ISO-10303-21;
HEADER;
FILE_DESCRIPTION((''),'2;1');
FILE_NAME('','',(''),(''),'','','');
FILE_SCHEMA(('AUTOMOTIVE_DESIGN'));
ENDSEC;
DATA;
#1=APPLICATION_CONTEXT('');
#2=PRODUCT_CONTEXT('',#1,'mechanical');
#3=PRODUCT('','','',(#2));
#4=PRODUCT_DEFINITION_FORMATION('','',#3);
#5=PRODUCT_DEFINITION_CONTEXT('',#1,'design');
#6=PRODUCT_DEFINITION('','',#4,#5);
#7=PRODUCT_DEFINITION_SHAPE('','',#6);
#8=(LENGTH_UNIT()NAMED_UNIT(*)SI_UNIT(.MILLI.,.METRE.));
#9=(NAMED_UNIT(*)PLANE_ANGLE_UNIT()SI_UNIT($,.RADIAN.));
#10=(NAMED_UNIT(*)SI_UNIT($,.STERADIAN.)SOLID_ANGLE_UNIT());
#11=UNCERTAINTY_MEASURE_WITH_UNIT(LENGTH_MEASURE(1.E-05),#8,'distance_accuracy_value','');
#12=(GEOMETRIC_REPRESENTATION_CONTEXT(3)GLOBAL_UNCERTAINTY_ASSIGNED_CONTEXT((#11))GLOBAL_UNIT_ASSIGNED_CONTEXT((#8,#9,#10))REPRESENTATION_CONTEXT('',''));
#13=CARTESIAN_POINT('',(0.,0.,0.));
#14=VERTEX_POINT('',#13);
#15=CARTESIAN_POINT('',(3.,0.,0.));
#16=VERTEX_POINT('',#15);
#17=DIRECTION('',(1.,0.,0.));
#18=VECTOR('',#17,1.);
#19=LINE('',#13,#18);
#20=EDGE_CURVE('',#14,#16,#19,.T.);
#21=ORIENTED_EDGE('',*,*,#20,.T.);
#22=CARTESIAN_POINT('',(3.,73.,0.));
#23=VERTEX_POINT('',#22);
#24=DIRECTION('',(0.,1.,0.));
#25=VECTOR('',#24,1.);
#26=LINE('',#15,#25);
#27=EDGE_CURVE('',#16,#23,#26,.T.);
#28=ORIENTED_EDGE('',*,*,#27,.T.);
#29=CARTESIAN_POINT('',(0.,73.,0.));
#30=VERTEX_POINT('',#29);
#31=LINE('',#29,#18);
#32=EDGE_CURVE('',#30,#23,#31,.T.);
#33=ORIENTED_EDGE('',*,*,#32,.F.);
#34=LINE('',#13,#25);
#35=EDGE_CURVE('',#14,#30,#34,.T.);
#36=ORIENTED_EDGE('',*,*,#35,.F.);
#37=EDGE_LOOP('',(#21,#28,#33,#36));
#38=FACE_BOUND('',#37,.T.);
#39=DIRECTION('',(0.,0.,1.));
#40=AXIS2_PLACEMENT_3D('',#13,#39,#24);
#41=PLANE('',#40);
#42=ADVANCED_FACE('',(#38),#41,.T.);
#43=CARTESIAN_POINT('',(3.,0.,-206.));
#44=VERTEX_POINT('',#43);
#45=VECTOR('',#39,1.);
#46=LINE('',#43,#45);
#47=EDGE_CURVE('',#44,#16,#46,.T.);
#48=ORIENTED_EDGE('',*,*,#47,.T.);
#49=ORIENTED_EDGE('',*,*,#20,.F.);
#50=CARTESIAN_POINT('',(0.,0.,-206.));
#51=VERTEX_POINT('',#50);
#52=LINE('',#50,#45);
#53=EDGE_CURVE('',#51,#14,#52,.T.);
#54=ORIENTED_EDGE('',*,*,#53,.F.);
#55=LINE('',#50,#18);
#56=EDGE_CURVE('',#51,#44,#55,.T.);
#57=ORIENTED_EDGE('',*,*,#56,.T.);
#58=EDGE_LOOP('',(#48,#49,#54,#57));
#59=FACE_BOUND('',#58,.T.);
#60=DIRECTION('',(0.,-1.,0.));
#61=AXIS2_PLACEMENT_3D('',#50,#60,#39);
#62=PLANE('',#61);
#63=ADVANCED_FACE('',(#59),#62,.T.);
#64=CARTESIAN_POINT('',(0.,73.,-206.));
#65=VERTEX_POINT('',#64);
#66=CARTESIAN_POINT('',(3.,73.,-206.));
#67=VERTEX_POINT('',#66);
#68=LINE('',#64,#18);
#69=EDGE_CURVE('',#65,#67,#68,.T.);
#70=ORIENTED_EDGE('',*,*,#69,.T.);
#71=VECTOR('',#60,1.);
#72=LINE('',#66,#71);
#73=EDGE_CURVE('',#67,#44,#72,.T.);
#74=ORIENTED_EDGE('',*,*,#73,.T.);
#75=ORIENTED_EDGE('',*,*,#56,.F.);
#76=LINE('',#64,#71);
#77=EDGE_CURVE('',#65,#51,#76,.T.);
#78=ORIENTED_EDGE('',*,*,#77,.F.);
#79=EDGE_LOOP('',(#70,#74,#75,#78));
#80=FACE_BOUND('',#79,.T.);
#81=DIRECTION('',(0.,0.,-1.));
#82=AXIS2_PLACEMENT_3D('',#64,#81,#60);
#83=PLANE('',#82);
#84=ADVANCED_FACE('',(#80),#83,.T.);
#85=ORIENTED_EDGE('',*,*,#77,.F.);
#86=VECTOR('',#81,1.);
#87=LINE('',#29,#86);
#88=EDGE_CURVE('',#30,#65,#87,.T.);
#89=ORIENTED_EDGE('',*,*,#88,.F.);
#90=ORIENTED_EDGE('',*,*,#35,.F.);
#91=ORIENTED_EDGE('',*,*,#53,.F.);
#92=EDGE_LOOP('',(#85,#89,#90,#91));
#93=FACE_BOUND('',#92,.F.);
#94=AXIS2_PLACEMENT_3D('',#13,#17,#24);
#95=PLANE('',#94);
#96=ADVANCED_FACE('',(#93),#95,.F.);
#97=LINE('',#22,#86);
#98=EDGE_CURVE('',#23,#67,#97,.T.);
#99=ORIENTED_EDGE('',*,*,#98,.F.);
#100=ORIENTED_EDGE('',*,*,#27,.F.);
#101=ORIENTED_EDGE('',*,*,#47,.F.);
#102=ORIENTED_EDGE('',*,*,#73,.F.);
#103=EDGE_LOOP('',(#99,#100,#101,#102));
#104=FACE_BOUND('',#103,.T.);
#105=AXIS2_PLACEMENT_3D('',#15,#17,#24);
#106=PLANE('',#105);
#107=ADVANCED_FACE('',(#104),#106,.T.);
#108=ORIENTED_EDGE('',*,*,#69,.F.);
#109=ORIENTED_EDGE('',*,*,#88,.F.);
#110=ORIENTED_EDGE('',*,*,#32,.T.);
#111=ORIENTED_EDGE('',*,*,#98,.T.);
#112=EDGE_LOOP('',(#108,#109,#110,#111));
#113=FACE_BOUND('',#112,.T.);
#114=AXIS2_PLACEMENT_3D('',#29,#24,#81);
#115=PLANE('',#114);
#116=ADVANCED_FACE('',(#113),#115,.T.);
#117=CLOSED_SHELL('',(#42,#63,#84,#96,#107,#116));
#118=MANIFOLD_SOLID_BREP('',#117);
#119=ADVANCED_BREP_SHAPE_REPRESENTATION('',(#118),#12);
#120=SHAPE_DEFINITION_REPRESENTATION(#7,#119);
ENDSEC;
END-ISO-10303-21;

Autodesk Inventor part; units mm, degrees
ref_plane "YZ Plane" through (0, 0, 0) normal (1, 0, 0) x (0, 1, 0)
ref_plane "XZ Plane" through (0, 0, 0) normal (0, 1, 0) x (-1, 0, 0)
ref_plane "XY Plane" through (0, 0, 0) normal (0, 0, 1) x (1, 0, 0)
sketch "Sketch1" plane through (0, 0, 0) normal (1, 0, 0) x (0, 1, 0)
  line L0 (0, 0) -> (73, 0)
  line L1 (73, 0) -> (73, -206)
  line L2 (73, -206) -> (0, -206)
  line L3 (0, -206) -> (0, 0)
  dimension "d0" = 73
  dimension "d1" = 206
extrude "Extrusion1" add sketch "Sketch1" along normal blind 3
properties part number "AI-SidePlateRS3"
